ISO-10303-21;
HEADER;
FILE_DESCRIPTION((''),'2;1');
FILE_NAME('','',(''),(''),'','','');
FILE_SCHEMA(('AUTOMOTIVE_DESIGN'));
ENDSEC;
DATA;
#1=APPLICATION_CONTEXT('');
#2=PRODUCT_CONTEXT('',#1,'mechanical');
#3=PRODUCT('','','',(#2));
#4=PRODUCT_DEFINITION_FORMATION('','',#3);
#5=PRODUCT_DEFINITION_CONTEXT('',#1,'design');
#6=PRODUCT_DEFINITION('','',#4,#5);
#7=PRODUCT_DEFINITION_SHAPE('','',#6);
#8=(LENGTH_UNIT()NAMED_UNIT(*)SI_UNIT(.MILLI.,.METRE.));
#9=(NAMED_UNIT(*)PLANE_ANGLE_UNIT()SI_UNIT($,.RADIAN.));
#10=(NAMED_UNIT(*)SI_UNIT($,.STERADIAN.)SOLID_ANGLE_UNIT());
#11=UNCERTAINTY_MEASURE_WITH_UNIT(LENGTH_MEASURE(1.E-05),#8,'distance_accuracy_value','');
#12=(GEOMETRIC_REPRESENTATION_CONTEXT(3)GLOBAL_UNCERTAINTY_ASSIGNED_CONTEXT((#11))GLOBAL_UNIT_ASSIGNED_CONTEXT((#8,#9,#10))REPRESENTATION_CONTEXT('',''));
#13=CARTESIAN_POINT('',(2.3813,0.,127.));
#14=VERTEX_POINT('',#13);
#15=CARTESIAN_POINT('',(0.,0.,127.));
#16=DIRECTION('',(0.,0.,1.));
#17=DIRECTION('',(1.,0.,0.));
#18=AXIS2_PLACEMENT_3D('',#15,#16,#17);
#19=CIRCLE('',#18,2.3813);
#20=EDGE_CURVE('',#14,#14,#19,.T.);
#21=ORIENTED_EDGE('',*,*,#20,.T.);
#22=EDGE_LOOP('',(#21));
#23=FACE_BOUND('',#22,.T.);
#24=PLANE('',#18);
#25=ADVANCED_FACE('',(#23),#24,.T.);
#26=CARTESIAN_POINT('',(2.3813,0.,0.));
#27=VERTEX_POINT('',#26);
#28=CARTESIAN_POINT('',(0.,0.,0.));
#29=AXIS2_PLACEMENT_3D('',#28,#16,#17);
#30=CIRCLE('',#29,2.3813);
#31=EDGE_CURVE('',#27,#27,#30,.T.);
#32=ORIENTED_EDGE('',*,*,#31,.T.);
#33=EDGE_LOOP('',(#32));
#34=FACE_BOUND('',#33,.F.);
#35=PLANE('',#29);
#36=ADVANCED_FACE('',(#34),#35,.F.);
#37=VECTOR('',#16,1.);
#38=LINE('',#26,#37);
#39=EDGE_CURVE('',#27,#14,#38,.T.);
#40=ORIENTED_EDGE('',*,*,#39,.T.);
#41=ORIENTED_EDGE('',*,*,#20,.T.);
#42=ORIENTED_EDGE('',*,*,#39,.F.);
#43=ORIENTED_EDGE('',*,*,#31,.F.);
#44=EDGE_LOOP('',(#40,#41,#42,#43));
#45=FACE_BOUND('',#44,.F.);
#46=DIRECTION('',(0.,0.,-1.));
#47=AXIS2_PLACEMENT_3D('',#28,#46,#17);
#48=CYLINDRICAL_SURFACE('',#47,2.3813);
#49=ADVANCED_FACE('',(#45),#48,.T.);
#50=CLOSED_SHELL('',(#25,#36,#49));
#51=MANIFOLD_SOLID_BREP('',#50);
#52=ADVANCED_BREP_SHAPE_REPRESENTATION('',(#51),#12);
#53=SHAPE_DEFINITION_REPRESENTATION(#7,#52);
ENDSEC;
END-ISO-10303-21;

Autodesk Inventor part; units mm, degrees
ref_plane "YZ Plane" through (0, 0, 0) normal (1, 0, 0) x (0, 1, 0)
ref_plane "XZ Plane" through (0, 0, 0) normal (0, 1, 0) x (-1, 0, 0)
ref_plane "XY Plane" through (0, 0, 0) normal (0, 0, 1) x (1, 0, 0)
sketch "Sketch1" plane through (0, 0, 0) normal (0, 0, 1) x (1, 0, 0)
  circle A0 centre (0, 0) radius 2.3813
  dimension "d0" = 4.7625
extrude "Extrusion1" add sketch "Sketch1" along normal blind 127
properties part number "Shaft" material "Stainless Steel"
